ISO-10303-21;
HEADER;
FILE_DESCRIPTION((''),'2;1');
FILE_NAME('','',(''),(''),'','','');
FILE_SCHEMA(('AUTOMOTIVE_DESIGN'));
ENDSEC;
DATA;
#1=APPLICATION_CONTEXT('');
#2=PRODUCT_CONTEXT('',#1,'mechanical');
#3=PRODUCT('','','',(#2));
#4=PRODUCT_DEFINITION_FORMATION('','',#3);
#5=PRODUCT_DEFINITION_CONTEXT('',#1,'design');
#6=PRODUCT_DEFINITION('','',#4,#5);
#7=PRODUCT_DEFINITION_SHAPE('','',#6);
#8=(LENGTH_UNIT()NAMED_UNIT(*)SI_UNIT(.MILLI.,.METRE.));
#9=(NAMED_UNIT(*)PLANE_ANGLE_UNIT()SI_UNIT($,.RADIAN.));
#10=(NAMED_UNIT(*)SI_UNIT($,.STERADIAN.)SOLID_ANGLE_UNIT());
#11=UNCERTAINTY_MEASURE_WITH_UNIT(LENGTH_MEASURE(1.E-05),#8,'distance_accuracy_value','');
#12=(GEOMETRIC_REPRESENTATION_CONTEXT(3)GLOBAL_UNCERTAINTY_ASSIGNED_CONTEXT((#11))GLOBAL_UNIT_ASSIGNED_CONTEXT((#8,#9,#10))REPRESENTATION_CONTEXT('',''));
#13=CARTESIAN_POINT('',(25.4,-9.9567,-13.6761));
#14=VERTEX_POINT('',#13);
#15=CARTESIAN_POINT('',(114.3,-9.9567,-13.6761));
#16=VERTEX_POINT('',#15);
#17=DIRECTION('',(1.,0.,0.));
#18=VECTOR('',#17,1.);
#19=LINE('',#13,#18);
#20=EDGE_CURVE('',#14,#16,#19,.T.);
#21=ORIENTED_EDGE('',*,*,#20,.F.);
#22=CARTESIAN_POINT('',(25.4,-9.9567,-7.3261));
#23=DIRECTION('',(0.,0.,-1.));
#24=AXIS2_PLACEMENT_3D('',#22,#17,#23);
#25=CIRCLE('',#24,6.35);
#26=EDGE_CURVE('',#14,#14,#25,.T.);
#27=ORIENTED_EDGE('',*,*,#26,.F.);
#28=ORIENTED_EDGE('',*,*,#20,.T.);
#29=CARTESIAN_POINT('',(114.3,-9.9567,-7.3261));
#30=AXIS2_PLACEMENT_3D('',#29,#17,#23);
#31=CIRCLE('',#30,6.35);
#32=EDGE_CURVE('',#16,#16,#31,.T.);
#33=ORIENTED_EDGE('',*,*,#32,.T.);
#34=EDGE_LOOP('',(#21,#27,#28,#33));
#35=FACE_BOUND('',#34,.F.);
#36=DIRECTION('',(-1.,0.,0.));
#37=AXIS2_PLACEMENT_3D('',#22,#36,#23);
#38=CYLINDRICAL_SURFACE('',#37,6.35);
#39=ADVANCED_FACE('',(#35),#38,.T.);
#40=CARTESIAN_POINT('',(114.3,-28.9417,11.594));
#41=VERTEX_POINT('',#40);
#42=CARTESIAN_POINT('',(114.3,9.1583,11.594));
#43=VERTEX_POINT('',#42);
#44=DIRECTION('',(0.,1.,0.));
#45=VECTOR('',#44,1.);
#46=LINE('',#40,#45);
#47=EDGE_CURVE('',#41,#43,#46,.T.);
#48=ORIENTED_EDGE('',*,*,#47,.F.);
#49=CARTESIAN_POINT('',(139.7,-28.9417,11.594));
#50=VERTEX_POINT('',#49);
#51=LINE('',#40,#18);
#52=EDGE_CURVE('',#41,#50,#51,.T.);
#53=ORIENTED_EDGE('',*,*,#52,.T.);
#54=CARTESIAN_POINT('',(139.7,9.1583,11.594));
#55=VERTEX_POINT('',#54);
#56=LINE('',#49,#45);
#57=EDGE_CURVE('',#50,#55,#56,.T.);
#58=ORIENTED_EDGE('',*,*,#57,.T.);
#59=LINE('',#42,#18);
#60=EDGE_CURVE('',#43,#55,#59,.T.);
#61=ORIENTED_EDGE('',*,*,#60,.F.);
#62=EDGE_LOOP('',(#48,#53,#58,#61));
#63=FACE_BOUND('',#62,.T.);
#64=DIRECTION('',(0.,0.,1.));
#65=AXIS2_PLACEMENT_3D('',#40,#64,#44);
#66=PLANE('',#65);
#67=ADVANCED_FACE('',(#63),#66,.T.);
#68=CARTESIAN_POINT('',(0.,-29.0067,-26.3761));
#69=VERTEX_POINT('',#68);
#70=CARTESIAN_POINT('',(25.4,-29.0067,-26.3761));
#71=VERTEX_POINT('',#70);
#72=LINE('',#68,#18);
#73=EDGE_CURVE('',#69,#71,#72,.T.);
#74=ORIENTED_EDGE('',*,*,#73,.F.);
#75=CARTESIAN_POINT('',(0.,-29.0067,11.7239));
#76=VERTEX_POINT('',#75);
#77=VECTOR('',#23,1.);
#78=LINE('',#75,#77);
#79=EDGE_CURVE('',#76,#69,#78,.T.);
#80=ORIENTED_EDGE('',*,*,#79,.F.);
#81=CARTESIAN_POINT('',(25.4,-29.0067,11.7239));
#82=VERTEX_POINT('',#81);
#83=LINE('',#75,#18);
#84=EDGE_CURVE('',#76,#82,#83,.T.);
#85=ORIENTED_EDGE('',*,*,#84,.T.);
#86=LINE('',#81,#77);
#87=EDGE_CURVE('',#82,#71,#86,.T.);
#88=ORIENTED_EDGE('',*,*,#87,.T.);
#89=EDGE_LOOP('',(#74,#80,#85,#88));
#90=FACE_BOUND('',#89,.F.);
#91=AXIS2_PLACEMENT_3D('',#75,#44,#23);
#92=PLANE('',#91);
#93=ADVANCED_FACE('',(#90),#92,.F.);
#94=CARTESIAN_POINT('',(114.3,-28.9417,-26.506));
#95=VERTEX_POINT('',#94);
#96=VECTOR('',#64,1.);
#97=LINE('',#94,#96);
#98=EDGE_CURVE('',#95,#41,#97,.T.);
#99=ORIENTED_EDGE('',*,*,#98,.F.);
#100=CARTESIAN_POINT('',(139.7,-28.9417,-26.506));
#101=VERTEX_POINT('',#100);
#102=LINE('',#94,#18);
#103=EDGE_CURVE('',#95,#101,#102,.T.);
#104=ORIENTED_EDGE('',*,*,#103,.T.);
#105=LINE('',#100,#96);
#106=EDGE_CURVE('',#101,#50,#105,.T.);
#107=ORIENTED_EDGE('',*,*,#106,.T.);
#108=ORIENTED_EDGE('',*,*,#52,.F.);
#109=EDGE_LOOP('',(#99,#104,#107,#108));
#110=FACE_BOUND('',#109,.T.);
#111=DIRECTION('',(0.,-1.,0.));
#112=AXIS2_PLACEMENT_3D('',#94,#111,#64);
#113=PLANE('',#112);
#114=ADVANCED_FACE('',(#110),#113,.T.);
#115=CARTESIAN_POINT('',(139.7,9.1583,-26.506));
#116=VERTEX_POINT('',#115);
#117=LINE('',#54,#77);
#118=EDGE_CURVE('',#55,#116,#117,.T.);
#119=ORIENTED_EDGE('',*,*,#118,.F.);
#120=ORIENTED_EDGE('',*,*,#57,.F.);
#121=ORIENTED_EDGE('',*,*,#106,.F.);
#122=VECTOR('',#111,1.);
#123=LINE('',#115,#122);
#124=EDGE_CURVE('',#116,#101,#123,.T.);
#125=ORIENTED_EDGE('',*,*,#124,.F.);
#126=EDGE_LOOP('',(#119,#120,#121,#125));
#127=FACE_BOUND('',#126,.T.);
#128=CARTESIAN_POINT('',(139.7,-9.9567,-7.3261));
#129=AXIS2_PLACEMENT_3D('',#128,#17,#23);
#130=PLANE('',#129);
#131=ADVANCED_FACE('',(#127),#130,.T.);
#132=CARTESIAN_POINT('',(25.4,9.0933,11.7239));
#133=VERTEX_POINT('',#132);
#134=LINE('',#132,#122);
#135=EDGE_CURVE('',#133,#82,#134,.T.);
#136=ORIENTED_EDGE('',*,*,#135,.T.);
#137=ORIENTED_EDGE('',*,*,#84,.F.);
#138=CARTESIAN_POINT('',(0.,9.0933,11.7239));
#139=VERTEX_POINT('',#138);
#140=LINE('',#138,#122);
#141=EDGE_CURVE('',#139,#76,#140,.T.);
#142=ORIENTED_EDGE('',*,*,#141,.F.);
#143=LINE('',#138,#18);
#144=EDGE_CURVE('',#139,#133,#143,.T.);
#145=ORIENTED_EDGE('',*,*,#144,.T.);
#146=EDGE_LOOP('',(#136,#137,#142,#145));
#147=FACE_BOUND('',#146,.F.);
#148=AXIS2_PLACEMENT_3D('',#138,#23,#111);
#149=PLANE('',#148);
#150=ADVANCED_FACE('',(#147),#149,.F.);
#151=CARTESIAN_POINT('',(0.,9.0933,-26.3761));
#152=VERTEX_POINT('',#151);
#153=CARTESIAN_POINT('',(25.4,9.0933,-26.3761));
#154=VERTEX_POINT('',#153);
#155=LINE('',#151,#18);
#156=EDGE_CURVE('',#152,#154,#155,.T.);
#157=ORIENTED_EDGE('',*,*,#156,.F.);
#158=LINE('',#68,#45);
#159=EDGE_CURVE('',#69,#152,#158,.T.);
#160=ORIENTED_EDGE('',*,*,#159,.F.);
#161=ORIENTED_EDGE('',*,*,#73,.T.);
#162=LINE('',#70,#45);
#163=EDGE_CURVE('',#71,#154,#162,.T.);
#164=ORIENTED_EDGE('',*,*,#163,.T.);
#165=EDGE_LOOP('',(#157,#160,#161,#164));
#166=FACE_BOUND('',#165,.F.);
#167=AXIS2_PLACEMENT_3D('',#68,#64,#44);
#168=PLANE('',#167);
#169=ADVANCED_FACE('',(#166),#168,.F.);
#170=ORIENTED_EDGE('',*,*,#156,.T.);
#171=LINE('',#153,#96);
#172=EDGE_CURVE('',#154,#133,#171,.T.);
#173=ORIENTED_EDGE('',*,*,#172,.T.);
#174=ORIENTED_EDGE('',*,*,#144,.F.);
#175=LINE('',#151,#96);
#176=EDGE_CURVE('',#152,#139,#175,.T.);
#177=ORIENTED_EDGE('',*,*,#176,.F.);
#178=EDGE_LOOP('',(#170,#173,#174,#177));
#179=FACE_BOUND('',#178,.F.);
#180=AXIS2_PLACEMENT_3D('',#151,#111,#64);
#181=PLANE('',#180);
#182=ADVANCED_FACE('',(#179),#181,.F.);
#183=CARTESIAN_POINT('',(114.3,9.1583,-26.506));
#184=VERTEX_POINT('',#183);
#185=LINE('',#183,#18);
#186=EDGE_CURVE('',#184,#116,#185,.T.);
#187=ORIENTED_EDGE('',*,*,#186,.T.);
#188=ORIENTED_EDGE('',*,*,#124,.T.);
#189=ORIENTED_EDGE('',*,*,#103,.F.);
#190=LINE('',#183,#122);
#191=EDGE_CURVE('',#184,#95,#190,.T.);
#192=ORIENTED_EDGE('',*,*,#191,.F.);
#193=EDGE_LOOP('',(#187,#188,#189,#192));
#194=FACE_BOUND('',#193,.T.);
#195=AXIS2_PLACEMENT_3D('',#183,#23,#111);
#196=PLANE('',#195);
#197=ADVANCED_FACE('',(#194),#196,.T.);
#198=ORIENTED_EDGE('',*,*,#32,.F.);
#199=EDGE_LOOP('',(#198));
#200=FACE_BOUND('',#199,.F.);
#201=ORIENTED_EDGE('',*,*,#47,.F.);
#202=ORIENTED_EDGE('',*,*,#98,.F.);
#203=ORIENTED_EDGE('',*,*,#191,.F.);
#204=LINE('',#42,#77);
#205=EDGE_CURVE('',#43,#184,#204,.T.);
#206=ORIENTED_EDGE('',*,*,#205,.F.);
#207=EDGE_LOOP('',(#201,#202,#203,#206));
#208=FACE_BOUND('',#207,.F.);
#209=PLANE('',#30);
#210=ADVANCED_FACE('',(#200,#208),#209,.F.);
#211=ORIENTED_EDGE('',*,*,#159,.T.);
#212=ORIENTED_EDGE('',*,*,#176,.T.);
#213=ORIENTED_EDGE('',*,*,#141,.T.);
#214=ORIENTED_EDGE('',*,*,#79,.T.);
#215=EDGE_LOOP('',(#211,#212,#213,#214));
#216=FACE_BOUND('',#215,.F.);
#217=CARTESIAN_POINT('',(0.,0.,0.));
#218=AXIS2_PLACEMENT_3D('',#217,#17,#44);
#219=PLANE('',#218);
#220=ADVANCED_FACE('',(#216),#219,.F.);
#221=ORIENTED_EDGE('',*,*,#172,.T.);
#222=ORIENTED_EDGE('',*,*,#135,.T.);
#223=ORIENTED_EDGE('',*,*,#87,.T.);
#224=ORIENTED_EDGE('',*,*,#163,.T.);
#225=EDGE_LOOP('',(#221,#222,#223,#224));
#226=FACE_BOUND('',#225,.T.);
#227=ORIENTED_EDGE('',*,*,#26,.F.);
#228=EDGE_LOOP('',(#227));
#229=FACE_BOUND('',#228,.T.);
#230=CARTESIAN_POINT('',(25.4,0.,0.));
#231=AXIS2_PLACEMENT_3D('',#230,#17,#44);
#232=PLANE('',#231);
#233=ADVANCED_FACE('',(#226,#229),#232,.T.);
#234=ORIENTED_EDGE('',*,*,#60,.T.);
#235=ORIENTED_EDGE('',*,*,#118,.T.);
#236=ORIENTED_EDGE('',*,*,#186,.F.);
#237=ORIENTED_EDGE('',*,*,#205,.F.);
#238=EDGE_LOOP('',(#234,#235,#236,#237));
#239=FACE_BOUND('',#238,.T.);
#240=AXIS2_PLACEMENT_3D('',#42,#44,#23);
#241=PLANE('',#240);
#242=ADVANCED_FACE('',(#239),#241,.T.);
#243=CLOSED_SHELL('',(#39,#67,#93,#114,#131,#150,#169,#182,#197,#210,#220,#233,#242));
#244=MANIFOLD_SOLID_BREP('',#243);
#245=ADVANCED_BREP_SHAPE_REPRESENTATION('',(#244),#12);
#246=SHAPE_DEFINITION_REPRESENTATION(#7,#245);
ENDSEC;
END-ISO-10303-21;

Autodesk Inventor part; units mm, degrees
ref_plane "YZ Plane" through (0, 0, 0) normal (1, 0, 0) x (0, 1, 0)
ref_plane "XZ Plane" through (0, 0, 0) normal (0, 1, 0) x (-1, 0, 0)
ref_plane "XY Plane" through (0, 0, 0) normal (0, 0, 1) x (1, 0, 0)
sketch "Sketch1" plane through (0, 0, 0) normal (1, 0, 0) x (0, 1, 0)
  line L0 (9.0933, 11.7239) -> (-29.0067, 11.7239)
  line L1 (-29.0067, 11.7239) -> (-29.0067, -26.3761)
  line L2 (-29.0067, -26.3761) -> (9.0933, -26.3761)
  line L3 (9.0933, -26.3761) -> (9.0933, 11.7239)
  circle A0 centre (-9.9567, -7.3261) radius 6.35
  point P0 (0, 0)
  dimension "d0" = 38.1
  dimension "d1" = 38.1
  dimension "d2" = 12.7
  dimension "d3" = 19.05
  dimension "d4" = 19.05
extrude "Extrusion1" add sketch "Sketch1" along normal blind 25.4 contours L3 L2 L1 L0 | A0
sketch "Sketch2" plane through (25.4, 0, 0) normal (1, 0, 0) x (0, 0, -1)
  circle A0 centre (7.3261, -9.9567) radius 6.35
  line L0 (-11.7239, 9.0933) -> (-11.7239, -29.0067) projected
  line L1 (26.3761, 9.0933) -> (-11.7239, 9.0933) projected
  point P0 (0, 0)
  dimension "d7" = 12.7
  dimension "d8" = 19.05
  dimension "d9" = 19.05
extrude "Extrusion2" add sketch "Sketch2" along normal blind 88.9
sketch "Sketch3" plane through (114.3, -9.9567, -7.3261) normal (1, 0, 0) x (0, 0, -1)
  line L0 (-18.9201, 19.115) -> (19.1799, 19.115)
  line L1 (19.1799, 19.115) -> (19.1799, -18.985)
  line L2 (19.1799, -18.985) -> (-18.9201, -18.985)
  line L3 (-18.9201, -18.985) -> (-18.9201, 19.115)
  point P0 (-7.3261, 9.9567)
  dimension "d12" = 38.1
  dimension "d13" = 38.1
extrude "Extrusion3" add sketch "Sketch3" along normal blind 25.4
properties part number "belt axle"
